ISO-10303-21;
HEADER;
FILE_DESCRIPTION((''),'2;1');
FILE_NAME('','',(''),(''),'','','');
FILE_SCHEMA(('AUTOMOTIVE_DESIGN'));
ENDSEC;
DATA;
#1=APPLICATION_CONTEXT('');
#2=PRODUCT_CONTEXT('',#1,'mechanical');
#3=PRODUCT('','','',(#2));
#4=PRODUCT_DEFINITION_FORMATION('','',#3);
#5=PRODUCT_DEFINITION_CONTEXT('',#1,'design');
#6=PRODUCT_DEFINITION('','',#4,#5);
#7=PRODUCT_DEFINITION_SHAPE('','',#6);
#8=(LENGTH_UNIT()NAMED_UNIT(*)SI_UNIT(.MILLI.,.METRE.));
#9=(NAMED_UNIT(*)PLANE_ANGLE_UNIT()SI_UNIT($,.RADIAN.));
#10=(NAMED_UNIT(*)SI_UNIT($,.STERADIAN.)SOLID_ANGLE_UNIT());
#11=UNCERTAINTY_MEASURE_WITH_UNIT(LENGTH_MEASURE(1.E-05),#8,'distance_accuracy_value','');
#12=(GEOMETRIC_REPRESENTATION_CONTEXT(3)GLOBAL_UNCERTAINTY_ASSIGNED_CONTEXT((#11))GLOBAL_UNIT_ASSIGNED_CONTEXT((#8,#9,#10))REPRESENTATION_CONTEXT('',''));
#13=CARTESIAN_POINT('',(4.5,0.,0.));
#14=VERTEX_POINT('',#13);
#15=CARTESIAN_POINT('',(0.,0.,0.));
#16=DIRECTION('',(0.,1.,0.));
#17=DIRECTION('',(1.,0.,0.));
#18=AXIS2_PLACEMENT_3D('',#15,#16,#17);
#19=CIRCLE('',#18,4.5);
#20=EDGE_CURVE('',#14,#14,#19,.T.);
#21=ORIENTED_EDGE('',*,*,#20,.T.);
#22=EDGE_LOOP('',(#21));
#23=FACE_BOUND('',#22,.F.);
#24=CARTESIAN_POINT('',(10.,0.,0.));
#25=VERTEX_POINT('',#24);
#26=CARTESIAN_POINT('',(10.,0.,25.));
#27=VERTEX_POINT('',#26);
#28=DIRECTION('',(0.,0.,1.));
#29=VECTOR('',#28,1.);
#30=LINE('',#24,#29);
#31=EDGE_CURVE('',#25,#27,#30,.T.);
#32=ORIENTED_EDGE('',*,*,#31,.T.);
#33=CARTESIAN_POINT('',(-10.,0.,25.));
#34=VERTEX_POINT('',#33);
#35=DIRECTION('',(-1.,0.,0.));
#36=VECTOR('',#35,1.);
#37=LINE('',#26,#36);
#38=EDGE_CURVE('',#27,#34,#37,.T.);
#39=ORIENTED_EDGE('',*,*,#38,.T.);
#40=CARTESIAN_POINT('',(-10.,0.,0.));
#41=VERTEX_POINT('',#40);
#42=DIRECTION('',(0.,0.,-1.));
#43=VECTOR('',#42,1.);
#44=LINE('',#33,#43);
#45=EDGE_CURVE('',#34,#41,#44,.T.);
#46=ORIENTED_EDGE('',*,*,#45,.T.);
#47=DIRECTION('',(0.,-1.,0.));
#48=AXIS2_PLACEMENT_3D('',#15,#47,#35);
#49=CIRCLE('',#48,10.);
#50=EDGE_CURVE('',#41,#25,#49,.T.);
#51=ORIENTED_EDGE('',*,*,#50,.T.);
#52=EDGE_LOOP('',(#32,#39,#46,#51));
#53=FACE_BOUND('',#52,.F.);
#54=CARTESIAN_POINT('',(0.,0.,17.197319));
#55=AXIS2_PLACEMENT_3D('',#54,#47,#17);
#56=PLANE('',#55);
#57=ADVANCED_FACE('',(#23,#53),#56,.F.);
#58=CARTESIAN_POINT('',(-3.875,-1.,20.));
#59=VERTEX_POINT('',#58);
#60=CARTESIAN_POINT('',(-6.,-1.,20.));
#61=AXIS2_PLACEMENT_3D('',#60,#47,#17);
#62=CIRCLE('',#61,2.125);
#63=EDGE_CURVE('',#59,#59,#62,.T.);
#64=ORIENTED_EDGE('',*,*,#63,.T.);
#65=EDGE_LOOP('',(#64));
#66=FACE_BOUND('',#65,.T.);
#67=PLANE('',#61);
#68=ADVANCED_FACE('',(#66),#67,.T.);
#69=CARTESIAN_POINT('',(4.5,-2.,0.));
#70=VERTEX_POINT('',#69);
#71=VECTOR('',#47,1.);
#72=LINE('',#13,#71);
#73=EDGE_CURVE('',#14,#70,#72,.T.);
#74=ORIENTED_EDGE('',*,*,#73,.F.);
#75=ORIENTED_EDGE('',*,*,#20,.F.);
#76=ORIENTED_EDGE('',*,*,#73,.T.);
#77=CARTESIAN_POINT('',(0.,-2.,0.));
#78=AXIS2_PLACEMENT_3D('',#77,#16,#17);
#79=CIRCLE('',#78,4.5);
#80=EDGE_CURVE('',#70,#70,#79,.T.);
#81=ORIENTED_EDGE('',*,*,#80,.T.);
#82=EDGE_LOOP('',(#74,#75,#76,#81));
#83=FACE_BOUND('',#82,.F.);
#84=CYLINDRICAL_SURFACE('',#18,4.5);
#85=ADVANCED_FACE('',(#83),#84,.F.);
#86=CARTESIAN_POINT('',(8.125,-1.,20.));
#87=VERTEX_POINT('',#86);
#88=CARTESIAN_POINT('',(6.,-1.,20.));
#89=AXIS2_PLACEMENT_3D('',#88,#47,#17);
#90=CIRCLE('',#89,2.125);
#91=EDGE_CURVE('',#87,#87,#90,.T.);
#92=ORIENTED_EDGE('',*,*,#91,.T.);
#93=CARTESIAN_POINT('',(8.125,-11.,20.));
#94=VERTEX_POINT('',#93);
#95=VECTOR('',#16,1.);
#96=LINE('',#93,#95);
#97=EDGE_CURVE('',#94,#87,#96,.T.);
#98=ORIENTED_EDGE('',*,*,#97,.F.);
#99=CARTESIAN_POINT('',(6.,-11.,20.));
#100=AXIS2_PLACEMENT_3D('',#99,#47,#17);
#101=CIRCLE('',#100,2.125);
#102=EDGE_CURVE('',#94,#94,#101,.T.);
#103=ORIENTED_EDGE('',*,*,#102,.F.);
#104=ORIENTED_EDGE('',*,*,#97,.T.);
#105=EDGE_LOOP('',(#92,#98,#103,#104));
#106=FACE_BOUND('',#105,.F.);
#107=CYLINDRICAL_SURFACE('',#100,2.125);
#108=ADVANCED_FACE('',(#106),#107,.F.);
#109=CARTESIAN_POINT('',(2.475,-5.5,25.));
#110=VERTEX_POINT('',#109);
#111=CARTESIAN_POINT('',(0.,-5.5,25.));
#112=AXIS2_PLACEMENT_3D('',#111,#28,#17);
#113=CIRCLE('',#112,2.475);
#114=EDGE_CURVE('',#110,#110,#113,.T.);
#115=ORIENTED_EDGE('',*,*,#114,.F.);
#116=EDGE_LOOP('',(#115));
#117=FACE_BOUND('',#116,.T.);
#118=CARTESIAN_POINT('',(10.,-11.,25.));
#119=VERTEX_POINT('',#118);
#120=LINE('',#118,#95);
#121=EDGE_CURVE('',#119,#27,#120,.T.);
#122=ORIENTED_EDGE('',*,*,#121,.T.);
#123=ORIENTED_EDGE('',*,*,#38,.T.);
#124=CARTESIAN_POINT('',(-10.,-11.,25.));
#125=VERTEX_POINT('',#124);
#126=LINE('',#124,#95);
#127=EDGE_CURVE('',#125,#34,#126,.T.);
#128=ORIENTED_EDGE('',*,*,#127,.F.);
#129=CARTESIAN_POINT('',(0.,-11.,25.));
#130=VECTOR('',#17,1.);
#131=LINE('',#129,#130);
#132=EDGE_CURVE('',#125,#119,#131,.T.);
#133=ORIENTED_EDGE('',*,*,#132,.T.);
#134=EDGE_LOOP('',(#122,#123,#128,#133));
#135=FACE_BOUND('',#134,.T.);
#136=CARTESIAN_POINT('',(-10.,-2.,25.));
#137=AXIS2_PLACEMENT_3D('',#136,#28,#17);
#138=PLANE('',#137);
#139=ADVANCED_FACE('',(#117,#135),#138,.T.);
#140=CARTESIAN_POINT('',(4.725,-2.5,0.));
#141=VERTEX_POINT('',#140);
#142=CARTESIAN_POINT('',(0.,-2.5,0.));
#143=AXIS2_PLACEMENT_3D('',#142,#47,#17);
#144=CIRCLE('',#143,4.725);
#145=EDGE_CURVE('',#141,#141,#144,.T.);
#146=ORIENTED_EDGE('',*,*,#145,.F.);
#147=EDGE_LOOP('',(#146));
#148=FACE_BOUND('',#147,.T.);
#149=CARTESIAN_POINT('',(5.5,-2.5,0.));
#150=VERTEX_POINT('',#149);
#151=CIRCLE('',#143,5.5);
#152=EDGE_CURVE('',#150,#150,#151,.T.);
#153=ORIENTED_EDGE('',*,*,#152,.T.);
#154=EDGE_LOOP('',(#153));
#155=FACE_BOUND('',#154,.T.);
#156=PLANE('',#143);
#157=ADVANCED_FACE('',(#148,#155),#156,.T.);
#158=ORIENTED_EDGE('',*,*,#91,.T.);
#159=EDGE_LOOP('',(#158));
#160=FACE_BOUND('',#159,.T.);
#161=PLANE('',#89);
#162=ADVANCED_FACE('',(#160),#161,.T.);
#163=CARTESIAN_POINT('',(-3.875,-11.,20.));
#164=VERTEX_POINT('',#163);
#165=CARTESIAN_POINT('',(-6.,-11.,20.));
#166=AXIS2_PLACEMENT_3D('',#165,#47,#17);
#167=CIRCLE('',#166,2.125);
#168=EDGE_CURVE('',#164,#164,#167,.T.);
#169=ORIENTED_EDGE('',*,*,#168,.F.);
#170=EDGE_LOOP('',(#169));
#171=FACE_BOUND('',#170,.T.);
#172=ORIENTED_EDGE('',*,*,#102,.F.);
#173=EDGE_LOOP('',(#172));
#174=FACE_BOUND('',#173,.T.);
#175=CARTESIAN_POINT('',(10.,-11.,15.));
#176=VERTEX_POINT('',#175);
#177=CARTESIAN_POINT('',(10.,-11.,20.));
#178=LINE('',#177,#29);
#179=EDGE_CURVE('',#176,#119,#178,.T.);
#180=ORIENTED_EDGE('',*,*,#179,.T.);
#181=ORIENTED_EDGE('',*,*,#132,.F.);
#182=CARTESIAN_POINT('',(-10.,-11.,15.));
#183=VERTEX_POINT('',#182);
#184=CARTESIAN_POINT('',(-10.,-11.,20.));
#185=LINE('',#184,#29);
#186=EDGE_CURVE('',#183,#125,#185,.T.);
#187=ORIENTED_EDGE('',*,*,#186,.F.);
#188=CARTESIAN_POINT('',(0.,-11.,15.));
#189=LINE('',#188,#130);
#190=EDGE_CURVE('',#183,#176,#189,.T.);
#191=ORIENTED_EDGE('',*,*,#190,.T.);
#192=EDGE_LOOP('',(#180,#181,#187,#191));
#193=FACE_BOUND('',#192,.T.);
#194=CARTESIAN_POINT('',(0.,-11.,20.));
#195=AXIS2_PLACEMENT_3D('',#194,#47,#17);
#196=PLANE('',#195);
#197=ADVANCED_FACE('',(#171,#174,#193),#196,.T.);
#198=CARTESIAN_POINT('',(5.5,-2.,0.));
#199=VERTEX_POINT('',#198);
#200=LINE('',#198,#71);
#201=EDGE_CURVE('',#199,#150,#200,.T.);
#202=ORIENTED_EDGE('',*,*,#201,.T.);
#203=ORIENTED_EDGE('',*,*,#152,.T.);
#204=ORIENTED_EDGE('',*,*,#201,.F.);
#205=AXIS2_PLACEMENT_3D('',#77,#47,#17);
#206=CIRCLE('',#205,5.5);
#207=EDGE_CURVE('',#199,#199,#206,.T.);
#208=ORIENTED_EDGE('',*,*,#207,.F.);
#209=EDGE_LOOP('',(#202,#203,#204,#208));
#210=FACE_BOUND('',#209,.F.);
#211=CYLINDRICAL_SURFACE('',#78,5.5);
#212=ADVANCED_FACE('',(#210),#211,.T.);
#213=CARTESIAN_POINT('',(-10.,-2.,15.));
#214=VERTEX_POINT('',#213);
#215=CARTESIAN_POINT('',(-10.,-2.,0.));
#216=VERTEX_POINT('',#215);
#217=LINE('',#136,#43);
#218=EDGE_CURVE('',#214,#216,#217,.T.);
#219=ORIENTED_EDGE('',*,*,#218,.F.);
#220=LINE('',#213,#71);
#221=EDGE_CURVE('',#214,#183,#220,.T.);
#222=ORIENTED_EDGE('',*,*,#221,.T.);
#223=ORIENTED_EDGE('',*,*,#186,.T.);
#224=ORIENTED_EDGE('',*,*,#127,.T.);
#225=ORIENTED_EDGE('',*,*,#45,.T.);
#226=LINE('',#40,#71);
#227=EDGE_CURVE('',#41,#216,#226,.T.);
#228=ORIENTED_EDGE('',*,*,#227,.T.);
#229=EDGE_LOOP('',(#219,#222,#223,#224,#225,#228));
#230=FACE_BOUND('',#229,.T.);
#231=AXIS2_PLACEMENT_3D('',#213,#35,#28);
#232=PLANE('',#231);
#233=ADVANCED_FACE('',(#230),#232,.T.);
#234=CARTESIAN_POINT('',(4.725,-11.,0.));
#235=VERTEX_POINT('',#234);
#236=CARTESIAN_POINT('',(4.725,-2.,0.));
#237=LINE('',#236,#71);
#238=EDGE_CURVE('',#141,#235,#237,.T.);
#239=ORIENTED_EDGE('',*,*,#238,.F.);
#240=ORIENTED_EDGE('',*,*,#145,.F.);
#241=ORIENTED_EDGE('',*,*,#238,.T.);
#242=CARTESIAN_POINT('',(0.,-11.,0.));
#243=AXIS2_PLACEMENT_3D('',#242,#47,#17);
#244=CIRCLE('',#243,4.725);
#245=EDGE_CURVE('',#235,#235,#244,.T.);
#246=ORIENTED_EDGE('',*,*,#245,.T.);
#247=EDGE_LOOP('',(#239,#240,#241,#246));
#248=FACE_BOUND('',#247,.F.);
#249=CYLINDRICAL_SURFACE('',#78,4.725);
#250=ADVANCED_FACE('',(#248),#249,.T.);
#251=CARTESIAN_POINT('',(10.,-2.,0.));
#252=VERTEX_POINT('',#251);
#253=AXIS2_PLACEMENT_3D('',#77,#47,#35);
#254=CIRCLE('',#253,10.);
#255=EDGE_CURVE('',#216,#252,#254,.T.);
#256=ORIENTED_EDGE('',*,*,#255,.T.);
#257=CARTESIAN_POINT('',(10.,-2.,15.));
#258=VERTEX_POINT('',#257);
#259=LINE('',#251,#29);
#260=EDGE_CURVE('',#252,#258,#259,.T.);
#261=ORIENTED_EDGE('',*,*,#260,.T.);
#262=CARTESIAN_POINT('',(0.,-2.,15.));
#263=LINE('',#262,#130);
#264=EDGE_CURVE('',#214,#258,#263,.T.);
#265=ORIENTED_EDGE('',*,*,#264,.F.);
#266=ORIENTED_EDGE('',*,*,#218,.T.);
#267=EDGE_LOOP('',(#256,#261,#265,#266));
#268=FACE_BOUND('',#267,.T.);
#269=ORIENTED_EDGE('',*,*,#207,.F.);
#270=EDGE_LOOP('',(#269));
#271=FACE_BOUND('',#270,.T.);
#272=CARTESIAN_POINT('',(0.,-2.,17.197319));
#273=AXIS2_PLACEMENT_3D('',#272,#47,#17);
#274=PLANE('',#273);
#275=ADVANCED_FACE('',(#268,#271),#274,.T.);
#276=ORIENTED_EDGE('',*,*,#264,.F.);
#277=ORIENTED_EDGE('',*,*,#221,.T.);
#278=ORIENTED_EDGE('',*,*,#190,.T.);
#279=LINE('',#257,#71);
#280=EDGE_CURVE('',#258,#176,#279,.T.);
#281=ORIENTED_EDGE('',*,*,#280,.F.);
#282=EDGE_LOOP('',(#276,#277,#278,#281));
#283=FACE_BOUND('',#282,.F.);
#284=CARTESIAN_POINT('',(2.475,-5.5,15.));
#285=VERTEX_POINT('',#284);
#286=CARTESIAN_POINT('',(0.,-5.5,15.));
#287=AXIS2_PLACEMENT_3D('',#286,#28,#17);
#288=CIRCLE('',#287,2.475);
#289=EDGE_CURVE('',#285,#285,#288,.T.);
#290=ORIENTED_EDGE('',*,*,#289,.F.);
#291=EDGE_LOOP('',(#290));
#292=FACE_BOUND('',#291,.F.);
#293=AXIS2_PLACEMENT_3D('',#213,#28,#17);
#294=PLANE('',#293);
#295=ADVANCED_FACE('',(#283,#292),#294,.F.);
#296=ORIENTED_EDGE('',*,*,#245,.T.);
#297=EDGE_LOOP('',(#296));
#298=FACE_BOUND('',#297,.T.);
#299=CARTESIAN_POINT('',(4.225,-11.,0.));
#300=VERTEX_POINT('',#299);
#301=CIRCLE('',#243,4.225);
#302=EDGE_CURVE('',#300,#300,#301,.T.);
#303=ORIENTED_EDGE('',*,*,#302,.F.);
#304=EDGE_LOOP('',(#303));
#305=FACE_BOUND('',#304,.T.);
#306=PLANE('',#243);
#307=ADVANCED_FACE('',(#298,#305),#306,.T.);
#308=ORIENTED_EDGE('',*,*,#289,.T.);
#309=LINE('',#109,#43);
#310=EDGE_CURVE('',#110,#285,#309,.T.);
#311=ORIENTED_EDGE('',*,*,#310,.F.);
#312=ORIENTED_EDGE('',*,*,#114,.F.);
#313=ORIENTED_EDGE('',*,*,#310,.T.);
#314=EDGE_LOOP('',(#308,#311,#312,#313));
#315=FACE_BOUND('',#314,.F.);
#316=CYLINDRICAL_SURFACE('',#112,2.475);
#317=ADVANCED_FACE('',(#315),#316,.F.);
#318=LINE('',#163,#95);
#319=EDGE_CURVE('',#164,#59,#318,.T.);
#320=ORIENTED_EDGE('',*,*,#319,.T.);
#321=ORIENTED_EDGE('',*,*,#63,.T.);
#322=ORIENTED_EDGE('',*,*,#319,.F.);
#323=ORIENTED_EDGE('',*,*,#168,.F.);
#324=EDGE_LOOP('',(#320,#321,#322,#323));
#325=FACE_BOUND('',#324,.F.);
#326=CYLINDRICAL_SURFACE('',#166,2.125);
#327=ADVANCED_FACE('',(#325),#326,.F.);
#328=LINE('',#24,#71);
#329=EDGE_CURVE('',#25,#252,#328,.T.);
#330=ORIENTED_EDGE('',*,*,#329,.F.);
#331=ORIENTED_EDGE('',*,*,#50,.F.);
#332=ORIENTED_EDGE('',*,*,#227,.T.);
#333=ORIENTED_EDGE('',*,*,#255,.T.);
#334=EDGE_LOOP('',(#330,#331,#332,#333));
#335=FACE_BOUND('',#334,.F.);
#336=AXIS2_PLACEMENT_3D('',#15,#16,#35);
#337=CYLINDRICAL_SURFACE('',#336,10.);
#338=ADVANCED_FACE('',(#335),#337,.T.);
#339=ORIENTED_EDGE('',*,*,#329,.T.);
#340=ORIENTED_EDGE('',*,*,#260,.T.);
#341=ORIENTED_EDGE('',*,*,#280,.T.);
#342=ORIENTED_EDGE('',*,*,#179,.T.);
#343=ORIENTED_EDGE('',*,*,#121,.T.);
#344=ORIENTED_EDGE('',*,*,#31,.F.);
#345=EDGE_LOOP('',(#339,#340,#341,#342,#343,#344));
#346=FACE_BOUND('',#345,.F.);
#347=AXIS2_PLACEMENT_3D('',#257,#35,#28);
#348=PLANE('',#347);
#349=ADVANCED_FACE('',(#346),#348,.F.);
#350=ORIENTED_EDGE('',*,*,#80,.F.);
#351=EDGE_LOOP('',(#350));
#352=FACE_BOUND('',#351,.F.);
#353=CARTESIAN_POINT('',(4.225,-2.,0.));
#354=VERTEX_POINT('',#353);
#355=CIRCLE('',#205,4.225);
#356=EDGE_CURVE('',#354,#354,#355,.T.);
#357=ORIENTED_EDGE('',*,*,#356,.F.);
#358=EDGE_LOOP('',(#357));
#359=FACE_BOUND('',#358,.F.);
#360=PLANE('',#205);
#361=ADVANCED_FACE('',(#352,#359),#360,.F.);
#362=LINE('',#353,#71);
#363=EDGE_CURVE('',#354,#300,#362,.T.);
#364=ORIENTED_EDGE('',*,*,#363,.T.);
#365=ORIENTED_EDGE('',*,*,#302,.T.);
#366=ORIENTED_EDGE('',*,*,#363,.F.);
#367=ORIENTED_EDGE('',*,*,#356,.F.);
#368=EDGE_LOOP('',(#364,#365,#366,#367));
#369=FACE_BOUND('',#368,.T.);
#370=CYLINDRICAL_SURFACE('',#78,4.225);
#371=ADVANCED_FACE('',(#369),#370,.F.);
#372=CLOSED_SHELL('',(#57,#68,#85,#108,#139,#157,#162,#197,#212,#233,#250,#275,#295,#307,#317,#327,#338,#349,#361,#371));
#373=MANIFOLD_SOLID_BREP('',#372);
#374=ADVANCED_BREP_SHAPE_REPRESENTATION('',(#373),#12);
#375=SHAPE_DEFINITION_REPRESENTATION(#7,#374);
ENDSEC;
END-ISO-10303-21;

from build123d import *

# Parameters (mm, degrees)
F1_DEPTH  = 2
F2_R      = 4.725
F2_R_2    = 4.225
F3_DEPTH  = 9
F4_W      = 20
F4_H      = 10
F5_DEPTH  = 9
F6_R      = 2.475
F7_DEPTH  = 10
F9_R      = 2.125
F10_DEPTH = 10
F12_R     = 5.5
F12_R_2   = 4.725
F13_DEPTH = 0.5


with BuildPart() as f1:
    # F0 (on Front) → F1 (new body)
    with BuildSketch(Plane.XZ):
        with BuildLine():
            ThreePointArc((-10, 8.3066238629), (0, 13), (10, 8.3066238629))
            Line((10, 8.3066238629), (10, 25))
            Line((10, 25), (-10, 25))
            Line((-10, 25), (-10, 8.3066238629))
        make_face()
        with BuildLine():
            Line((10, 0), (10, 8.3066238629))
            ThreePointArc((10, 8.3066238629), (0, 13), (-10, 8.3066238629))
            Line((-10, 8.3066238629), (-10, 0))
            ThreePointArc((-10, 0), (0, 10), (10, 0))
        make_face()
        with BuildLine():
            ThreePointArc((-10, 0), (0, -10), (10, 0))
            Line((10, 0), (5, 0))
            ThreePointArc((5, 0), (0, -5), (-5, 0))
            Line((-5, 0), (-10, 0))
        make_face()
        with BuildLine():
            Line((5, 0), (10, 0))
            ThreePointArc((10, 0), (0, 10), (-10, 0))
            Line((-10, 0), (-5, 0))
            ThreePointArc((-5, 0), (0, 5), (5, 0))
        make_face()
        with BuildLine():
            Line((4.5, 0), (5, 0))
            ThreePointArc((5, 0), (0, 5), (-5, 0))
            Line((-5, 0), (-4.5, 0))
            ThreePointArc((-4.5, 0), (0, 4.5), (4.5, 0))
        make_face()
        with BuildLine():
            ThreePointArc((-5, 0), (0, -5), (5, 0))
            Line((5, 0), (4.5, 0))
            ThreePointArc((4.5, 0), (0, -4.5), (-4.5, 0))
            Line((-4.5, 0), (-5, 0))
        make_face()
    extrude(amount=F1_DEPTH)

    # F2 (on face) → F3 (join)
    with BuildSketch(Plane.XZ.offset(2)):
        Circle(F2_R)
        Circle(F2_R_2, mode=Mode.SUBTRACT)
    extrude(amount=F3_DEPTH)

    # F4 (on face) → F5 (join)
    with BuildSketch(Plane.XZ.offset(2)):
        with Locations((0, 20)):
            Rectangle(F4_W, F4_H)
    extrude(amount=F5_DEPTH)


with BuildPart() as f7:
    # F6 (on face) → F7 (new body)
    with BuildSketch(Plane.XY.offset(25)):
        with Locations((0, -5.5)):
            Circle(F6_R)
    extrude(amount=-F7_DEPTH)


with BuildPart() as f1_1:
    add(f1.part)

    # F8: cut F7
    add(f7.part, mode=Mode.SUBTRACT)


with BuildPart() as f10:
    # F9 (on face) → F10 (new body)
    with BuildSketch(Plane.XZ.offset(11)):
        with Locations((-6, 20)):
            Circle(F9_R)
    extrude(amount=-F10_DEPTH)


with BuildPart() as f10b:
    # F9 (on face) → F10, piece 2 (new body)
    with BuildSketch(Plane.XZ.offset(11)):
        with Locations((6, 20)):
            Circle(F9_R)
    extrude(amount=-F10_DEPTH)


with BuildPart() as f1_2:
    add(f1_1.part)

    # F11: cut F10b, F10
    add(f10b.part, mode=Mode.SUBTRACT)
    add(f10.part, mode=Mode.SUBTRACT)

    # F12 (on face) → F13 (join)
    with BuildSketch(Plane.XZ.offset(2)):
        Circle(F12_R)
        Circle(F12_R_2, mode=Mode.SUBTRACT)
    extrude(amount=F13_DEPTH)


solid = f1_2.part
